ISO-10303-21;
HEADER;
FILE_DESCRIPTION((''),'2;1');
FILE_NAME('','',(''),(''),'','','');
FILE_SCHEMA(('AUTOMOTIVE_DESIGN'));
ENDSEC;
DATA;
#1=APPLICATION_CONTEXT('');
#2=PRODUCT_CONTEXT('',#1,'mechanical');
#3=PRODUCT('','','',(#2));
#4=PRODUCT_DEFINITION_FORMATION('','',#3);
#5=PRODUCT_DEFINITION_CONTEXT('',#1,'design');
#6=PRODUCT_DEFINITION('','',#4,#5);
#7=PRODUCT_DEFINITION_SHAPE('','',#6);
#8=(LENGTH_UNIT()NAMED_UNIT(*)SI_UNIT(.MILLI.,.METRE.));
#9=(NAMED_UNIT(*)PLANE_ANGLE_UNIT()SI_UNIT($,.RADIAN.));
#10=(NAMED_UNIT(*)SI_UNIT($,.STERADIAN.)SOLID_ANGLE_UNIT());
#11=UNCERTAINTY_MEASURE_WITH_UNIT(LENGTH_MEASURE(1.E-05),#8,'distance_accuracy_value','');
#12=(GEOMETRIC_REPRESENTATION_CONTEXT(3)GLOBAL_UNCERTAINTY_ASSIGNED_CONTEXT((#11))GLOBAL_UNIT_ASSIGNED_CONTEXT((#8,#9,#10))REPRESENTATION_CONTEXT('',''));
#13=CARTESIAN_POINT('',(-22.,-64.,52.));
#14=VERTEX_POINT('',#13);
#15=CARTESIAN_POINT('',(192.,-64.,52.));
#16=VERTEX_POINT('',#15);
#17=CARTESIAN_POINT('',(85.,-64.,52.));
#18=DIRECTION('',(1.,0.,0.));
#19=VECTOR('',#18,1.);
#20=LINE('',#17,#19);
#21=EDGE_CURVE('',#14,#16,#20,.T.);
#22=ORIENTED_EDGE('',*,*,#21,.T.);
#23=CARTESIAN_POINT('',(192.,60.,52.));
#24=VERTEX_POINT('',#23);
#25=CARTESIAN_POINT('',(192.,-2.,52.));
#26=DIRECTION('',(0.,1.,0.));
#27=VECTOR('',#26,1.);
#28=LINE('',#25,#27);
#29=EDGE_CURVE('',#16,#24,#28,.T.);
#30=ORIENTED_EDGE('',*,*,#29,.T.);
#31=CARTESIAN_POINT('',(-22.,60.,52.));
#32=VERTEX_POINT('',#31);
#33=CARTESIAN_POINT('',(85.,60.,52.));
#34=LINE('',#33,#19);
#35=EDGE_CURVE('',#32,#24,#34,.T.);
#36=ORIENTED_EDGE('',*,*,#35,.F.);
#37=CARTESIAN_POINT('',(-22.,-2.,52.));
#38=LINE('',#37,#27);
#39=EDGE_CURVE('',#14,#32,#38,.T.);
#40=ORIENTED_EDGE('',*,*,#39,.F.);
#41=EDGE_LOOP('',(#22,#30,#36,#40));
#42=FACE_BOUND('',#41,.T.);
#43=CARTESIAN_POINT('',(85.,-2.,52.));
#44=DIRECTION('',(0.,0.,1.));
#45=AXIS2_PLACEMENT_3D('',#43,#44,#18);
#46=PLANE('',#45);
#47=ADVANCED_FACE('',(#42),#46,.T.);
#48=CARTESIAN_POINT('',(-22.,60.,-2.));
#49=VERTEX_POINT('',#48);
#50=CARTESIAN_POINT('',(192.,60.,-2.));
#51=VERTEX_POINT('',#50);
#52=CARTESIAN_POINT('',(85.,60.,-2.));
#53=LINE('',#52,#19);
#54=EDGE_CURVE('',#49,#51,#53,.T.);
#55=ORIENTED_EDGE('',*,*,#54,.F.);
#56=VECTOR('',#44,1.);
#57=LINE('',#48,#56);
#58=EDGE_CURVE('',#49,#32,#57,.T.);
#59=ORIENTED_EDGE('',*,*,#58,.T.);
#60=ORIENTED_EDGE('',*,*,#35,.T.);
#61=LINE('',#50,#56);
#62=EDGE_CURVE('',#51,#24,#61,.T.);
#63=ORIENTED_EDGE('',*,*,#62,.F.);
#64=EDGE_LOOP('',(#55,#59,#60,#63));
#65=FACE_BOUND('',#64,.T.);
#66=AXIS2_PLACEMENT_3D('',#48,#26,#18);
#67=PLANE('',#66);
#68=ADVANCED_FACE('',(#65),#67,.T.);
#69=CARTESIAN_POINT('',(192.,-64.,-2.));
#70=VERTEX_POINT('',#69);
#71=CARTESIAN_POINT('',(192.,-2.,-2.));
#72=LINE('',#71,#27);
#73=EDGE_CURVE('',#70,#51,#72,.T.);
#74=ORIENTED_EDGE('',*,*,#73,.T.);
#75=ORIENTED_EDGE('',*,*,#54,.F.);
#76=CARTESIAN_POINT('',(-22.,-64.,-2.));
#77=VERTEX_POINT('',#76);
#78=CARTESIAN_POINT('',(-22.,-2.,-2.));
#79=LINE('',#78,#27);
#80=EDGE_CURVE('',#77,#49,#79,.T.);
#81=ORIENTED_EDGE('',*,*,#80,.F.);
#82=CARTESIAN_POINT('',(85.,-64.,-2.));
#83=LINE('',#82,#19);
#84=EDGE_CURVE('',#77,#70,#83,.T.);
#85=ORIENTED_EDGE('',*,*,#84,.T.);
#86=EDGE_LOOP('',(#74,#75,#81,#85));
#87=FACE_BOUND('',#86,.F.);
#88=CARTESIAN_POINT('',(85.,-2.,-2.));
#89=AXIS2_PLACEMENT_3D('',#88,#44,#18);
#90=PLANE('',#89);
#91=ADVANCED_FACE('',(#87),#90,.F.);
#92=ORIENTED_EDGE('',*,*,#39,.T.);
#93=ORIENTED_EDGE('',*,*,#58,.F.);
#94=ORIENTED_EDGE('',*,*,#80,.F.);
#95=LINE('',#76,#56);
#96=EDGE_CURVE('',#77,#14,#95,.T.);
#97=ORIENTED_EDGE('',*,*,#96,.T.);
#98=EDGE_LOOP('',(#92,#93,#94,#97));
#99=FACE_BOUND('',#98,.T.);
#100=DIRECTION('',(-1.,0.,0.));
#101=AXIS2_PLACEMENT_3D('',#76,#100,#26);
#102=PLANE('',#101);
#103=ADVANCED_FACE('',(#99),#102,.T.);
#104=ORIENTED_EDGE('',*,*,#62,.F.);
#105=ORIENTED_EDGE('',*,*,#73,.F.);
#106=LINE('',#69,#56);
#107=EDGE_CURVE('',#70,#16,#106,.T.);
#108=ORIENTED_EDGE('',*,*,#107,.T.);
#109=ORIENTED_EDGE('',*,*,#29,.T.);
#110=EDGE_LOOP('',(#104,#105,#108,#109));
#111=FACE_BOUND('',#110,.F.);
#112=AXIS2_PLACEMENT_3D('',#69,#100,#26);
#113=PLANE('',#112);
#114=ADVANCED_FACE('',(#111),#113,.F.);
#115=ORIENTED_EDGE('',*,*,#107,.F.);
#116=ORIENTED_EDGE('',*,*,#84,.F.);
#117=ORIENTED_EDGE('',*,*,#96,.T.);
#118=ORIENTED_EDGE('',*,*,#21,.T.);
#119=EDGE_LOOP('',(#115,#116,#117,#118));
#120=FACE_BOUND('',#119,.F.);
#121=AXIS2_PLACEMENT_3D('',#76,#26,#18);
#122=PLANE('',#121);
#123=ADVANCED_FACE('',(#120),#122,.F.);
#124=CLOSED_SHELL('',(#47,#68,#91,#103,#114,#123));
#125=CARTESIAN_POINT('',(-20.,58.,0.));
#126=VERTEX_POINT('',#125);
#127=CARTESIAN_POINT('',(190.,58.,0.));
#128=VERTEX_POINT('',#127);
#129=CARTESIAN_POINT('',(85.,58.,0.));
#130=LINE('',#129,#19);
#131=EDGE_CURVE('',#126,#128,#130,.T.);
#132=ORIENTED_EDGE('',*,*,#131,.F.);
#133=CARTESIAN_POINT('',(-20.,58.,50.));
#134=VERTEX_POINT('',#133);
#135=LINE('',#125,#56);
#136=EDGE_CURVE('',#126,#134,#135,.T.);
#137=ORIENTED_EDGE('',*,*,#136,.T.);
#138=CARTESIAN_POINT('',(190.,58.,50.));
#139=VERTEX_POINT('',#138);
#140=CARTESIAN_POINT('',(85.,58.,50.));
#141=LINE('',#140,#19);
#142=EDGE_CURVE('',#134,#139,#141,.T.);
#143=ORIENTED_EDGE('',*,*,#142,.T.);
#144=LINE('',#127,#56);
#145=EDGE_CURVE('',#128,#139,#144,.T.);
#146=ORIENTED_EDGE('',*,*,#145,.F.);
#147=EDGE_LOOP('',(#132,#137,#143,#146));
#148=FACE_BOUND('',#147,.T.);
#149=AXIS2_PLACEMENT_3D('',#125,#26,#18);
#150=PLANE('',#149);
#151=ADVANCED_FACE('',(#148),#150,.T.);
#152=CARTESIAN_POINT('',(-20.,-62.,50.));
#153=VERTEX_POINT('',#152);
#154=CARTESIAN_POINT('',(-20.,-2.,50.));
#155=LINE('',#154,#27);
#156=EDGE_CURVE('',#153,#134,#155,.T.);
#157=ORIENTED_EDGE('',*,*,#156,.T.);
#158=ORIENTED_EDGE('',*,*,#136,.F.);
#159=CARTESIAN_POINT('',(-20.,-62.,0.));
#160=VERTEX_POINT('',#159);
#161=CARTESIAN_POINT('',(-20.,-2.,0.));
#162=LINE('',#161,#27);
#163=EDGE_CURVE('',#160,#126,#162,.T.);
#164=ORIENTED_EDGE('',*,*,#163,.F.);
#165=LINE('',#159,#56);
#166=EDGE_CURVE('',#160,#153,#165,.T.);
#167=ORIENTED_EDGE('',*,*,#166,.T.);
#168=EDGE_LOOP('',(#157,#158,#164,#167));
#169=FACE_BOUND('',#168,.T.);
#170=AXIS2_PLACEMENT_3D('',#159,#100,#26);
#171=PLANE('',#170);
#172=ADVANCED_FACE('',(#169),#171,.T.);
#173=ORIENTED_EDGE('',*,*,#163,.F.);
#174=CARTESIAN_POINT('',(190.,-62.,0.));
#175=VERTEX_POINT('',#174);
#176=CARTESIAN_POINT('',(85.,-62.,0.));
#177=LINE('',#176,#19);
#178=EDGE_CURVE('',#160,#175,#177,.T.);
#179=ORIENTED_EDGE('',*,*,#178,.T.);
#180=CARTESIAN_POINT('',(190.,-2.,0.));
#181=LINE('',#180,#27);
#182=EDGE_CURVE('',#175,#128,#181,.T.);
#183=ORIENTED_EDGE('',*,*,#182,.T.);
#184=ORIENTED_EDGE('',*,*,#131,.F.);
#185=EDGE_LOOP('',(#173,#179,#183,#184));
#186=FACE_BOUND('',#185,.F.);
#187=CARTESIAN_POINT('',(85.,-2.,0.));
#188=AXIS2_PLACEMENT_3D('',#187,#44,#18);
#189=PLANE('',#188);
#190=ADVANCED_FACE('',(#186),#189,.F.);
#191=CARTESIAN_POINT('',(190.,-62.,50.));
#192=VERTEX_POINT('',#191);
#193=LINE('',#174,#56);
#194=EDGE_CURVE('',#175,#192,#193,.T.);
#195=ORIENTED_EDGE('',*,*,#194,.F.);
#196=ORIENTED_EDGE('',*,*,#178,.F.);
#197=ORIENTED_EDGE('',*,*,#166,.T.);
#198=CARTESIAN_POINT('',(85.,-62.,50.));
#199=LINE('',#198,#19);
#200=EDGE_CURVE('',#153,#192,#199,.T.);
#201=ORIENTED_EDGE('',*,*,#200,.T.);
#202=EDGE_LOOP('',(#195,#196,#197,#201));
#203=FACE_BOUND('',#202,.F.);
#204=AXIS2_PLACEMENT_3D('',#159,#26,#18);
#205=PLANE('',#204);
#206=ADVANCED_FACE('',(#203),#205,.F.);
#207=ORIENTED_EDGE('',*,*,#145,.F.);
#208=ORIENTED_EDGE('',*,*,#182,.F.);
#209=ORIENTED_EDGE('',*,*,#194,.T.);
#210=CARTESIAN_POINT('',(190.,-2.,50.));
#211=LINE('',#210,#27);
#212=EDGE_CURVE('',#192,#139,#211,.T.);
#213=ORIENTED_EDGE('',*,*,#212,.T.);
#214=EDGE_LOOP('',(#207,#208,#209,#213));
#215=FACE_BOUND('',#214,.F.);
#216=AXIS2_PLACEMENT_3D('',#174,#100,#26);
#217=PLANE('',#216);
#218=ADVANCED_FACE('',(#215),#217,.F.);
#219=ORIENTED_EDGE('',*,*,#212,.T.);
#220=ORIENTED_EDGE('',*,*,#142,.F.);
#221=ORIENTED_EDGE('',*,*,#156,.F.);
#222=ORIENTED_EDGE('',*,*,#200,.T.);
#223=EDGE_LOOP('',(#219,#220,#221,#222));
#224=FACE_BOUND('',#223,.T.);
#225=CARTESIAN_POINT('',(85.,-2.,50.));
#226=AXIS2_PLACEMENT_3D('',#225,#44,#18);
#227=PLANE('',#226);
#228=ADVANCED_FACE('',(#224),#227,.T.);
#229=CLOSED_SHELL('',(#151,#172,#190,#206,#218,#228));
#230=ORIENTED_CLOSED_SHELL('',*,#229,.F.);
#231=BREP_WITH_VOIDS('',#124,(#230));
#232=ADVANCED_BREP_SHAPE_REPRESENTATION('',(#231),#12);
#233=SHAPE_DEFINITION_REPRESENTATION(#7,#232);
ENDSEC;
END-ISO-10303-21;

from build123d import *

# Parameters (mm, degrees)
BOX004_W     = 210
BOX004_H     = 120
BOX004_DEPTH = 50
BOX008_W     = 214
BOX008_H     = 124
BOX008_DEPTH = 54


with BuildPart() as box004:
    # Box004 → Box004 (new body)
    with BuildSketch(Plane(origin=(-20, -62, 0), x_dir=(1, 0, 0), z_dir=(0, 0, 1))):
        with Locations((105, 60)):
            Rectangle(BOX004_W, BOX004_H)
    extrude(amount=BOX004_DEPTH)


with BuildPart() as cut001:
    # Box008 → Box008 (new body)
    with BuildSketch(Plane(origin=(-22, -64, -2), x_dir=(1, 0, 0), z_dir=(0, 0, 1))):
        with Locations((107, 62)):
            Rectangle(BOX008_W, BOX008_H)
    extrude(amount=BOX008_DEPTH)

    # Cut001: cut Box004
    add(box004.part, mode=Mode.SUBTRACT)


solid = cut001.part
